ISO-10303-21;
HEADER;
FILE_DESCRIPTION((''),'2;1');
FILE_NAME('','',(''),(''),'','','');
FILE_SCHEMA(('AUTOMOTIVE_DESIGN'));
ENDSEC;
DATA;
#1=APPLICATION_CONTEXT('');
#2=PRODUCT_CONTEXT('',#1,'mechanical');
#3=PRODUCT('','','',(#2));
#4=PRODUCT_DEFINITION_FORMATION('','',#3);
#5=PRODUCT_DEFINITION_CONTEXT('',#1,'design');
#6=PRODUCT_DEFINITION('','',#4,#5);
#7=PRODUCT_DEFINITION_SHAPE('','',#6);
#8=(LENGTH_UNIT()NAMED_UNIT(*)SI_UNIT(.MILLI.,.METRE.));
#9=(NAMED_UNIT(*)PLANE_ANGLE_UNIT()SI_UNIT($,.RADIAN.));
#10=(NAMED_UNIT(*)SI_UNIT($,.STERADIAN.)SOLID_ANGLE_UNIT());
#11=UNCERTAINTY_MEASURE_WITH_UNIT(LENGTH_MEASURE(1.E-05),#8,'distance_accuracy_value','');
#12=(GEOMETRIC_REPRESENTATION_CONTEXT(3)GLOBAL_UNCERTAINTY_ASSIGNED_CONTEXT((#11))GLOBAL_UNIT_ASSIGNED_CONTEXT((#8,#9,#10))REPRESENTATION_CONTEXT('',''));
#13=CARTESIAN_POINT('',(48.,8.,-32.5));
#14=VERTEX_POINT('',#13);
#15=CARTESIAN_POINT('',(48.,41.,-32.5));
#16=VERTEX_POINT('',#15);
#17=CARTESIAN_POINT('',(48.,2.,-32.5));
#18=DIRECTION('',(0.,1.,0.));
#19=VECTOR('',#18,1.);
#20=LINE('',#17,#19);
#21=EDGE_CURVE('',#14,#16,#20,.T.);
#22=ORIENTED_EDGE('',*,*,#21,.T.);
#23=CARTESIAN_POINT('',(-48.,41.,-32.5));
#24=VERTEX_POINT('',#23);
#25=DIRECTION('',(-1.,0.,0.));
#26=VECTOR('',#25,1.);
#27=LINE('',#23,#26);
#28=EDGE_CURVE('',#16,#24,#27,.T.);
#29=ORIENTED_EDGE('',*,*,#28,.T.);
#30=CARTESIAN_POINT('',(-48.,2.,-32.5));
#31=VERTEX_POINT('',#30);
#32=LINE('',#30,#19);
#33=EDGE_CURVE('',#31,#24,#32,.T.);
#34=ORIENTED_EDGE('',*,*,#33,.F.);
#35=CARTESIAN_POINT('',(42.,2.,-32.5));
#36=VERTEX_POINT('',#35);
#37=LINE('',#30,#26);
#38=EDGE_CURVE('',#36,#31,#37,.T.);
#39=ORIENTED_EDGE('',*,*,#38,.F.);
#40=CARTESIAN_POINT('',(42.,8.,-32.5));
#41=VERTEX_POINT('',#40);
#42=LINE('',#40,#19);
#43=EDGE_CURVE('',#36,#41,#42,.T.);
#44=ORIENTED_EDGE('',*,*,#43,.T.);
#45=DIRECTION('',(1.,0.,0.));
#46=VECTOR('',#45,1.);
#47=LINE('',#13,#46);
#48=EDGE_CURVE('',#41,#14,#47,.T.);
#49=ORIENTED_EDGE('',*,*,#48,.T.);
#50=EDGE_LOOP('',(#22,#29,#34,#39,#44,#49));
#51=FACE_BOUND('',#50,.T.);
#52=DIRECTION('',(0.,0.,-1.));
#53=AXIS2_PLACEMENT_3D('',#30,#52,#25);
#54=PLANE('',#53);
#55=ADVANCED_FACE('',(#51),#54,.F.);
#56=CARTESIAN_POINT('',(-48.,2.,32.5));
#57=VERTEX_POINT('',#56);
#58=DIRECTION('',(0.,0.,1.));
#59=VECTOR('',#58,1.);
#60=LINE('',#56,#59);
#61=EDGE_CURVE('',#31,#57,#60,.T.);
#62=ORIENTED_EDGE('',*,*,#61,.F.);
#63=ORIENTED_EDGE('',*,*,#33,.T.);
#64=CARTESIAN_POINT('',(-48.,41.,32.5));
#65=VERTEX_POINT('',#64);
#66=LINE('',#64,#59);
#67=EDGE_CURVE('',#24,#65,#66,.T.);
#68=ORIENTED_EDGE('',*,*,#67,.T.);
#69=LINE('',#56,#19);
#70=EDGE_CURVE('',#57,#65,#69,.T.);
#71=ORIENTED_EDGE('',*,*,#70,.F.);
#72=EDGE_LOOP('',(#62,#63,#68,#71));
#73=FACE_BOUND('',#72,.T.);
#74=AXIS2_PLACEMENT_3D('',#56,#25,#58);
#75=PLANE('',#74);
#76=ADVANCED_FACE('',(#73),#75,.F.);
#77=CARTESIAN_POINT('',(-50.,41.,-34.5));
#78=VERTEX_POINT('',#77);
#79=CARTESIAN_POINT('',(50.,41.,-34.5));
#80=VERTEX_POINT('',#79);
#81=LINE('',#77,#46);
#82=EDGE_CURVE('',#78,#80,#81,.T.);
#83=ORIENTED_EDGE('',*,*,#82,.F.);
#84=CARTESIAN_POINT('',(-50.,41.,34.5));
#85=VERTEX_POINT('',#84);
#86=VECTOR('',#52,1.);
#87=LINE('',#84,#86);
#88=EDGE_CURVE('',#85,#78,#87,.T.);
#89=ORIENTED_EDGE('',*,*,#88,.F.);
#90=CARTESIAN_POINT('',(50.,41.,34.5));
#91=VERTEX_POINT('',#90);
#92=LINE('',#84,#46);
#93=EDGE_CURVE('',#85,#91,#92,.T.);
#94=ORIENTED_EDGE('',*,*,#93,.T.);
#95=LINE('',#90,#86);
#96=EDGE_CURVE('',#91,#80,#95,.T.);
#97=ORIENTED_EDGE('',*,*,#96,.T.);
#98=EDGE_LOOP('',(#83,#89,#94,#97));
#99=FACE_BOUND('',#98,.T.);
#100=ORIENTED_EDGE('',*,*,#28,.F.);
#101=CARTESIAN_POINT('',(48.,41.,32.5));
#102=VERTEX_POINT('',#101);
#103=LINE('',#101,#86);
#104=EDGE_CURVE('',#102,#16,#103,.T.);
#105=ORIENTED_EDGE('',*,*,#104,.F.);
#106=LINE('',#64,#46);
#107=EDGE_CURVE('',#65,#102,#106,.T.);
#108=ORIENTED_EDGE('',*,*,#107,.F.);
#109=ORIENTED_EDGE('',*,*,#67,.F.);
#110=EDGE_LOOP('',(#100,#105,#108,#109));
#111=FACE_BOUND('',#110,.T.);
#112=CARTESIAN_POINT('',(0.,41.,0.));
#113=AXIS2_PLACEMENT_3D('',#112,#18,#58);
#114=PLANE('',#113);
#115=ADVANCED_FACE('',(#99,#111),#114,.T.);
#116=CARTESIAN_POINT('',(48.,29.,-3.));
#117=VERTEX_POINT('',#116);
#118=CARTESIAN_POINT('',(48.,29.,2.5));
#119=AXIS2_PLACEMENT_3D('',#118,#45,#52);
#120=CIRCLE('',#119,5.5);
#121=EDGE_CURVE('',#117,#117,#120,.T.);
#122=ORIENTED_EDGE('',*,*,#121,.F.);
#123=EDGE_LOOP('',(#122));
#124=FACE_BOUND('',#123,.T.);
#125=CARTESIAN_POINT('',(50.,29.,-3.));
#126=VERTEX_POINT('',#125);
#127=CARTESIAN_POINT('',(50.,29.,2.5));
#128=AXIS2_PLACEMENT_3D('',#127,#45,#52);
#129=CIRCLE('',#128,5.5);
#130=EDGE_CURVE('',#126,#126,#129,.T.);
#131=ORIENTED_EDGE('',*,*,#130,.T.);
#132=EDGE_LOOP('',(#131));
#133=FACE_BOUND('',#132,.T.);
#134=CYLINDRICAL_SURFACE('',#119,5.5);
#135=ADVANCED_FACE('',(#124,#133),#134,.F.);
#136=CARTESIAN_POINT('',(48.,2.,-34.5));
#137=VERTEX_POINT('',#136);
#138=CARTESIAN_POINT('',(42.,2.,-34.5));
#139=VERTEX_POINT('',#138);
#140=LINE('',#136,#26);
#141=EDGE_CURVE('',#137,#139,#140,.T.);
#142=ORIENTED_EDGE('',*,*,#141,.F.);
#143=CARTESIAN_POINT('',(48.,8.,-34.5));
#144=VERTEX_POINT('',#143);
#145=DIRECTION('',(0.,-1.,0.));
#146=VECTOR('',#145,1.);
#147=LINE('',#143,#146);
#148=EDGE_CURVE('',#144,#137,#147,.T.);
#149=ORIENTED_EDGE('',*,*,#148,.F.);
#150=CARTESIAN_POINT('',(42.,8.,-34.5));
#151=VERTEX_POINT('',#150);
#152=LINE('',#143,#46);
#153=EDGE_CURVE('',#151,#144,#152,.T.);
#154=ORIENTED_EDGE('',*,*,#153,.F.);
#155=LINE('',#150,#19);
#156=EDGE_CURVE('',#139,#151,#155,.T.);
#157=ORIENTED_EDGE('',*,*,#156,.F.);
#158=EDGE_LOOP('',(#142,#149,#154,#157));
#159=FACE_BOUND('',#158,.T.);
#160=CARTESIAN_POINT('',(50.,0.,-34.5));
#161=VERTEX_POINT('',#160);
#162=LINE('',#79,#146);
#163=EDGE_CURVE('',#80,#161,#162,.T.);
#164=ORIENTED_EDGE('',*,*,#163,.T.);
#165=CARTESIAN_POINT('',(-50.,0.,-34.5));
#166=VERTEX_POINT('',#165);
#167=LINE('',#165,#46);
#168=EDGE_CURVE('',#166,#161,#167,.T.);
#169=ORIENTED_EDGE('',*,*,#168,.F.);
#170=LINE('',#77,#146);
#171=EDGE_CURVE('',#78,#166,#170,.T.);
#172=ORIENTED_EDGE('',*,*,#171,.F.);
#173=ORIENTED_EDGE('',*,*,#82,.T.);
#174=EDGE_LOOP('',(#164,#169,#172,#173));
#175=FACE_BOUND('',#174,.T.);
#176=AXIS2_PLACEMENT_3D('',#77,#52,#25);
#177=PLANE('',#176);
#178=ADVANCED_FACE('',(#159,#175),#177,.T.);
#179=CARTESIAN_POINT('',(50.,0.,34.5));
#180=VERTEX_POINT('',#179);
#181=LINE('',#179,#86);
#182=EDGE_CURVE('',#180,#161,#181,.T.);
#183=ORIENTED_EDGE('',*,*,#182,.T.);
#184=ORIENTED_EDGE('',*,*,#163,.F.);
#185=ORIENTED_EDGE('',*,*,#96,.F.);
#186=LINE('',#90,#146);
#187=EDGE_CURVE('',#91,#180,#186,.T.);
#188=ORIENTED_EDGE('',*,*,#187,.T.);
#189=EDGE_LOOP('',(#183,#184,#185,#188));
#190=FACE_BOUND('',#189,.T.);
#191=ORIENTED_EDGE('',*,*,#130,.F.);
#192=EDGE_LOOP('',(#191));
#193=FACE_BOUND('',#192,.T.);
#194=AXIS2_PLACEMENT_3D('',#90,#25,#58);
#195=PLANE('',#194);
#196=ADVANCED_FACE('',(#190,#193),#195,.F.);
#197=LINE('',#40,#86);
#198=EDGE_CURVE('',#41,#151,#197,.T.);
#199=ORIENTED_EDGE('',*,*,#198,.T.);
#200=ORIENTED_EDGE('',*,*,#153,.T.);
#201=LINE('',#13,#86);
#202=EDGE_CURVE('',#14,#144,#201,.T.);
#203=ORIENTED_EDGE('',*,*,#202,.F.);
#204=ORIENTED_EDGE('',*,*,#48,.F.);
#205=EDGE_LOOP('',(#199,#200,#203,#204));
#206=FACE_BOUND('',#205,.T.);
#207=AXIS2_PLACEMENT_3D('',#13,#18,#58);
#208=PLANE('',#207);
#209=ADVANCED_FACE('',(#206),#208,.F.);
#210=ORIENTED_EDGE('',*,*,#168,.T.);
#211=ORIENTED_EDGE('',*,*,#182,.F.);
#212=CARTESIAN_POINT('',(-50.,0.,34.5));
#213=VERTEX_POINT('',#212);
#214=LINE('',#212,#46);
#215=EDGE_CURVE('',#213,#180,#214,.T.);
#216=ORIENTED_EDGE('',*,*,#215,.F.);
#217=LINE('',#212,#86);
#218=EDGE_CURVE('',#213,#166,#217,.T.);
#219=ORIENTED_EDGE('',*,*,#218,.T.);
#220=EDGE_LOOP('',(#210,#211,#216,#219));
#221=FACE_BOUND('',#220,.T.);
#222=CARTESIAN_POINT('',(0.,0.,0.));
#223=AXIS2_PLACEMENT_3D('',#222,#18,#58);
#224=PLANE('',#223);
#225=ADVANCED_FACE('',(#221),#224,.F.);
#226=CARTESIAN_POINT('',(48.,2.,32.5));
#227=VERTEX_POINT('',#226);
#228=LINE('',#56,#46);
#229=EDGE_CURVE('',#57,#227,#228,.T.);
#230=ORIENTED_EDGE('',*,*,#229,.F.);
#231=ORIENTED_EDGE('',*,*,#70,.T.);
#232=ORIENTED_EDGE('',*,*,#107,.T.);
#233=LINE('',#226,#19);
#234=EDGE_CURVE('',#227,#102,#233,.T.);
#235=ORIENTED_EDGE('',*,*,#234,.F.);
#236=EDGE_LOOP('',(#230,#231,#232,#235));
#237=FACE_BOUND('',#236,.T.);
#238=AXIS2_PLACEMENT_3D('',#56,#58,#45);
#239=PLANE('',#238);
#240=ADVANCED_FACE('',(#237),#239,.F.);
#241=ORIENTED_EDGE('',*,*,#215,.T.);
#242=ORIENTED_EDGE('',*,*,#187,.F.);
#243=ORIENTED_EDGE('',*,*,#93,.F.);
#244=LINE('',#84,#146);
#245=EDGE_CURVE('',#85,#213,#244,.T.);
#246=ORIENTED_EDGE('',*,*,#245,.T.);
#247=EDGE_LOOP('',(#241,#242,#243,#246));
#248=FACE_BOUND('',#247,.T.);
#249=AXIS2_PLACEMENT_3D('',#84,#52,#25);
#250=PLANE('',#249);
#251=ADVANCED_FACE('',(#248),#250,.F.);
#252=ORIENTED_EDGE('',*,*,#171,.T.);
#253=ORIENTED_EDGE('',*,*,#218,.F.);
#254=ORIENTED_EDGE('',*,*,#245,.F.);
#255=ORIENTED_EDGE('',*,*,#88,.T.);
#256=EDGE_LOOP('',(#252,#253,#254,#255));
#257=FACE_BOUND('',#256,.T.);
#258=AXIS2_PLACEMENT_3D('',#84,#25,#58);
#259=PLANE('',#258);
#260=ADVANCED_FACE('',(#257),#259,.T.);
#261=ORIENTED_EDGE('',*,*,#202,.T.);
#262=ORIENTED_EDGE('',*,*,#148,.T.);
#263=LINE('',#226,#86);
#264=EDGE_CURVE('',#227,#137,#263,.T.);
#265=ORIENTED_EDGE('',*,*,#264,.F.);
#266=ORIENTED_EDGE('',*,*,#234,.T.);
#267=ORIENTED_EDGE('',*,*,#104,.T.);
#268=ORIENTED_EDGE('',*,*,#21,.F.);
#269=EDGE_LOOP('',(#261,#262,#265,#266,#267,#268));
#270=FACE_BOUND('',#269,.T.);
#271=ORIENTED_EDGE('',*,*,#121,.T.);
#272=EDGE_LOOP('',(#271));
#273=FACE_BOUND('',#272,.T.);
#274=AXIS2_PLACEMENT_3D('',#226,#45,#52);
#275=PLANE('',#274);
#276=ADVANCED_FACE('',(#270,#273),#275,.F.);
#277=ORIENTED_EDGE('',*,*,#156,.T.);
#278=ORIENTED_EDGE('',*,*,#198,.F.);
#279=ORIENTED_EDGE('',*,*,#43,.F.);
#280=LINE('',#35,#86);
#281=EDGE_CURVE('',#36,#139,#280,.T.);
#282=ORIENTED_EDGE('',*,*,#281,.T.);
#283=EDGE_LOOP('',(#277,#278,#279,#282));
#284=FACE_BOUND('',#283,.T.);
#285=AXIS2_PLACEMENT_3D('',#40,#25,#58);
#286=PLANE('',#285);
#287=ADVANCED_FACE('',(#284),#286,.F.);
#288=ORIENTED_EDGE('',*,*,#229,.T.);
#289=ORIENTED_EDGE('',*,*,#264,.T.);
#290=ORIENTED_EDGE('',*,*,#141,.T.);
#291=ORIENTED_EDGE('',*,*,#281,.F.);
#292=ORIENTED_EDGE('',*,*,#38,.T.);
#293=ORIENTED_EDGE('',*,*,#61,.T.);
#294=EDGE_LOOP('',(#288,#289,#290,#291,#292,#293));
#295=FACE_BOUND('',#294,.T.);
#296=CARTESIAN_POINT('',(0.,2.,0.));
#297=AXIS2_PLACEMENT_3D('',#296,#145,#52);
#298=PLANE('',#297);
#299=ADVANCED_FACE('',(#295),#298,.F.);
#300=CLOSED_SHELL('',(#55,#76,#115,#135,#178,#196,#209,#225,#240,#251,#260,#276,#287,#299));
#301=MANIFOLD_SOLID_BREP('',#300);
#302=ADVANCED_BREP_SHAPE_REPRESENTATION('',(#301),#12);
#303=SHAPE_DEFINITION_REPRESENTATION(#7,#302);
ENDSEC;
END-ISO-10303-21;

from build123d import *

# Parameters (mm, degrees)
SKETCH1_W           = 100
SKETCH1_H           = 69
BOSS_EXTRUDE1_DEPTH = 41
SKETCH3_W           = 96
SKETCH3_H           = 65
CUT_EXTRUDE2_DEPTH  = 39
SKETCH4_W           = 6
SKETCH4_H           = 6
CUT_EXTRUDE3_DEPTH  = 2
SKETCH1_4_W         = 100
SKETCH1_4_H         = 69
BOSS_EXTRUDE2_DEPTH = 2
SKETCH6_R           = 5.5
CUT_EXTRUDE4_DEPTH  = 2


with BuildPart() as part:
    # Sketch1 → Boss-Extrude1 (new body)
    with BuildSketch(Plane(origin=(0, 0, 0), x_dir=(1, 0, 0), z_dir=(0, 1, 0))):
        Rectangle(SKETCH1_W, SKETCH1_H)
    extrude(amount=BOSS_EXTRUDE1_DEPTH)

    # Sketch3 → Cut-Extrude2 (cut)
    with BuildSketch(Plane(origin=(0, 41, 0), x_dir=(1, 0, 0), z_dir=(0, 1, 0))):
        Rectangle(SKETCH3_W, SKETCH3_H)
    extrude(amount=-CUT_EXTRUDE2_DEPTH, mode=Mode.SUBTRACT)

    # Sketch4 → Cut-Extrude3 (cut)
    with BuildSketch(Plane(origin=(0, 0, -34.5), x_dir=(-1, 0, 0), z_dir=(0, 0, -1))):
        with Locations((-45, 5)):
            Rectangle(SKETCH4_W, SKETCH4_H)
    extrude(amount=-CUT_EXTRUDE3_DEPTH, mode=Mode.SUBTRACT)

    # Sketch1<4> → Boss-Extrude2 (add)
    with BuildSketch(Plane(origin=(0, 0, 0), x_dir=(1, 0, 0), z_dir=(0, 1, 0))):
        Rectangle(SKETCH1_4_W, SKETCH1_4_H)
    extrude(amount=BOSS_EXTRUDE2_DEPTH)

    # Sketch6 → Cut-Extrude4 (cut)
    with BuildSketch(Plane(origin=(50, 0, 0), x_dir=(0, 0, -1), z_dir=(1, 0, 0))):
        with Locations((-2.5, 29)):
            Circle(SKETCH6_R)
    extrude(amount=-CUT_EXTRUDE4_DEPTH, mode=Mode.SUBTRACT)


solid = part.part
